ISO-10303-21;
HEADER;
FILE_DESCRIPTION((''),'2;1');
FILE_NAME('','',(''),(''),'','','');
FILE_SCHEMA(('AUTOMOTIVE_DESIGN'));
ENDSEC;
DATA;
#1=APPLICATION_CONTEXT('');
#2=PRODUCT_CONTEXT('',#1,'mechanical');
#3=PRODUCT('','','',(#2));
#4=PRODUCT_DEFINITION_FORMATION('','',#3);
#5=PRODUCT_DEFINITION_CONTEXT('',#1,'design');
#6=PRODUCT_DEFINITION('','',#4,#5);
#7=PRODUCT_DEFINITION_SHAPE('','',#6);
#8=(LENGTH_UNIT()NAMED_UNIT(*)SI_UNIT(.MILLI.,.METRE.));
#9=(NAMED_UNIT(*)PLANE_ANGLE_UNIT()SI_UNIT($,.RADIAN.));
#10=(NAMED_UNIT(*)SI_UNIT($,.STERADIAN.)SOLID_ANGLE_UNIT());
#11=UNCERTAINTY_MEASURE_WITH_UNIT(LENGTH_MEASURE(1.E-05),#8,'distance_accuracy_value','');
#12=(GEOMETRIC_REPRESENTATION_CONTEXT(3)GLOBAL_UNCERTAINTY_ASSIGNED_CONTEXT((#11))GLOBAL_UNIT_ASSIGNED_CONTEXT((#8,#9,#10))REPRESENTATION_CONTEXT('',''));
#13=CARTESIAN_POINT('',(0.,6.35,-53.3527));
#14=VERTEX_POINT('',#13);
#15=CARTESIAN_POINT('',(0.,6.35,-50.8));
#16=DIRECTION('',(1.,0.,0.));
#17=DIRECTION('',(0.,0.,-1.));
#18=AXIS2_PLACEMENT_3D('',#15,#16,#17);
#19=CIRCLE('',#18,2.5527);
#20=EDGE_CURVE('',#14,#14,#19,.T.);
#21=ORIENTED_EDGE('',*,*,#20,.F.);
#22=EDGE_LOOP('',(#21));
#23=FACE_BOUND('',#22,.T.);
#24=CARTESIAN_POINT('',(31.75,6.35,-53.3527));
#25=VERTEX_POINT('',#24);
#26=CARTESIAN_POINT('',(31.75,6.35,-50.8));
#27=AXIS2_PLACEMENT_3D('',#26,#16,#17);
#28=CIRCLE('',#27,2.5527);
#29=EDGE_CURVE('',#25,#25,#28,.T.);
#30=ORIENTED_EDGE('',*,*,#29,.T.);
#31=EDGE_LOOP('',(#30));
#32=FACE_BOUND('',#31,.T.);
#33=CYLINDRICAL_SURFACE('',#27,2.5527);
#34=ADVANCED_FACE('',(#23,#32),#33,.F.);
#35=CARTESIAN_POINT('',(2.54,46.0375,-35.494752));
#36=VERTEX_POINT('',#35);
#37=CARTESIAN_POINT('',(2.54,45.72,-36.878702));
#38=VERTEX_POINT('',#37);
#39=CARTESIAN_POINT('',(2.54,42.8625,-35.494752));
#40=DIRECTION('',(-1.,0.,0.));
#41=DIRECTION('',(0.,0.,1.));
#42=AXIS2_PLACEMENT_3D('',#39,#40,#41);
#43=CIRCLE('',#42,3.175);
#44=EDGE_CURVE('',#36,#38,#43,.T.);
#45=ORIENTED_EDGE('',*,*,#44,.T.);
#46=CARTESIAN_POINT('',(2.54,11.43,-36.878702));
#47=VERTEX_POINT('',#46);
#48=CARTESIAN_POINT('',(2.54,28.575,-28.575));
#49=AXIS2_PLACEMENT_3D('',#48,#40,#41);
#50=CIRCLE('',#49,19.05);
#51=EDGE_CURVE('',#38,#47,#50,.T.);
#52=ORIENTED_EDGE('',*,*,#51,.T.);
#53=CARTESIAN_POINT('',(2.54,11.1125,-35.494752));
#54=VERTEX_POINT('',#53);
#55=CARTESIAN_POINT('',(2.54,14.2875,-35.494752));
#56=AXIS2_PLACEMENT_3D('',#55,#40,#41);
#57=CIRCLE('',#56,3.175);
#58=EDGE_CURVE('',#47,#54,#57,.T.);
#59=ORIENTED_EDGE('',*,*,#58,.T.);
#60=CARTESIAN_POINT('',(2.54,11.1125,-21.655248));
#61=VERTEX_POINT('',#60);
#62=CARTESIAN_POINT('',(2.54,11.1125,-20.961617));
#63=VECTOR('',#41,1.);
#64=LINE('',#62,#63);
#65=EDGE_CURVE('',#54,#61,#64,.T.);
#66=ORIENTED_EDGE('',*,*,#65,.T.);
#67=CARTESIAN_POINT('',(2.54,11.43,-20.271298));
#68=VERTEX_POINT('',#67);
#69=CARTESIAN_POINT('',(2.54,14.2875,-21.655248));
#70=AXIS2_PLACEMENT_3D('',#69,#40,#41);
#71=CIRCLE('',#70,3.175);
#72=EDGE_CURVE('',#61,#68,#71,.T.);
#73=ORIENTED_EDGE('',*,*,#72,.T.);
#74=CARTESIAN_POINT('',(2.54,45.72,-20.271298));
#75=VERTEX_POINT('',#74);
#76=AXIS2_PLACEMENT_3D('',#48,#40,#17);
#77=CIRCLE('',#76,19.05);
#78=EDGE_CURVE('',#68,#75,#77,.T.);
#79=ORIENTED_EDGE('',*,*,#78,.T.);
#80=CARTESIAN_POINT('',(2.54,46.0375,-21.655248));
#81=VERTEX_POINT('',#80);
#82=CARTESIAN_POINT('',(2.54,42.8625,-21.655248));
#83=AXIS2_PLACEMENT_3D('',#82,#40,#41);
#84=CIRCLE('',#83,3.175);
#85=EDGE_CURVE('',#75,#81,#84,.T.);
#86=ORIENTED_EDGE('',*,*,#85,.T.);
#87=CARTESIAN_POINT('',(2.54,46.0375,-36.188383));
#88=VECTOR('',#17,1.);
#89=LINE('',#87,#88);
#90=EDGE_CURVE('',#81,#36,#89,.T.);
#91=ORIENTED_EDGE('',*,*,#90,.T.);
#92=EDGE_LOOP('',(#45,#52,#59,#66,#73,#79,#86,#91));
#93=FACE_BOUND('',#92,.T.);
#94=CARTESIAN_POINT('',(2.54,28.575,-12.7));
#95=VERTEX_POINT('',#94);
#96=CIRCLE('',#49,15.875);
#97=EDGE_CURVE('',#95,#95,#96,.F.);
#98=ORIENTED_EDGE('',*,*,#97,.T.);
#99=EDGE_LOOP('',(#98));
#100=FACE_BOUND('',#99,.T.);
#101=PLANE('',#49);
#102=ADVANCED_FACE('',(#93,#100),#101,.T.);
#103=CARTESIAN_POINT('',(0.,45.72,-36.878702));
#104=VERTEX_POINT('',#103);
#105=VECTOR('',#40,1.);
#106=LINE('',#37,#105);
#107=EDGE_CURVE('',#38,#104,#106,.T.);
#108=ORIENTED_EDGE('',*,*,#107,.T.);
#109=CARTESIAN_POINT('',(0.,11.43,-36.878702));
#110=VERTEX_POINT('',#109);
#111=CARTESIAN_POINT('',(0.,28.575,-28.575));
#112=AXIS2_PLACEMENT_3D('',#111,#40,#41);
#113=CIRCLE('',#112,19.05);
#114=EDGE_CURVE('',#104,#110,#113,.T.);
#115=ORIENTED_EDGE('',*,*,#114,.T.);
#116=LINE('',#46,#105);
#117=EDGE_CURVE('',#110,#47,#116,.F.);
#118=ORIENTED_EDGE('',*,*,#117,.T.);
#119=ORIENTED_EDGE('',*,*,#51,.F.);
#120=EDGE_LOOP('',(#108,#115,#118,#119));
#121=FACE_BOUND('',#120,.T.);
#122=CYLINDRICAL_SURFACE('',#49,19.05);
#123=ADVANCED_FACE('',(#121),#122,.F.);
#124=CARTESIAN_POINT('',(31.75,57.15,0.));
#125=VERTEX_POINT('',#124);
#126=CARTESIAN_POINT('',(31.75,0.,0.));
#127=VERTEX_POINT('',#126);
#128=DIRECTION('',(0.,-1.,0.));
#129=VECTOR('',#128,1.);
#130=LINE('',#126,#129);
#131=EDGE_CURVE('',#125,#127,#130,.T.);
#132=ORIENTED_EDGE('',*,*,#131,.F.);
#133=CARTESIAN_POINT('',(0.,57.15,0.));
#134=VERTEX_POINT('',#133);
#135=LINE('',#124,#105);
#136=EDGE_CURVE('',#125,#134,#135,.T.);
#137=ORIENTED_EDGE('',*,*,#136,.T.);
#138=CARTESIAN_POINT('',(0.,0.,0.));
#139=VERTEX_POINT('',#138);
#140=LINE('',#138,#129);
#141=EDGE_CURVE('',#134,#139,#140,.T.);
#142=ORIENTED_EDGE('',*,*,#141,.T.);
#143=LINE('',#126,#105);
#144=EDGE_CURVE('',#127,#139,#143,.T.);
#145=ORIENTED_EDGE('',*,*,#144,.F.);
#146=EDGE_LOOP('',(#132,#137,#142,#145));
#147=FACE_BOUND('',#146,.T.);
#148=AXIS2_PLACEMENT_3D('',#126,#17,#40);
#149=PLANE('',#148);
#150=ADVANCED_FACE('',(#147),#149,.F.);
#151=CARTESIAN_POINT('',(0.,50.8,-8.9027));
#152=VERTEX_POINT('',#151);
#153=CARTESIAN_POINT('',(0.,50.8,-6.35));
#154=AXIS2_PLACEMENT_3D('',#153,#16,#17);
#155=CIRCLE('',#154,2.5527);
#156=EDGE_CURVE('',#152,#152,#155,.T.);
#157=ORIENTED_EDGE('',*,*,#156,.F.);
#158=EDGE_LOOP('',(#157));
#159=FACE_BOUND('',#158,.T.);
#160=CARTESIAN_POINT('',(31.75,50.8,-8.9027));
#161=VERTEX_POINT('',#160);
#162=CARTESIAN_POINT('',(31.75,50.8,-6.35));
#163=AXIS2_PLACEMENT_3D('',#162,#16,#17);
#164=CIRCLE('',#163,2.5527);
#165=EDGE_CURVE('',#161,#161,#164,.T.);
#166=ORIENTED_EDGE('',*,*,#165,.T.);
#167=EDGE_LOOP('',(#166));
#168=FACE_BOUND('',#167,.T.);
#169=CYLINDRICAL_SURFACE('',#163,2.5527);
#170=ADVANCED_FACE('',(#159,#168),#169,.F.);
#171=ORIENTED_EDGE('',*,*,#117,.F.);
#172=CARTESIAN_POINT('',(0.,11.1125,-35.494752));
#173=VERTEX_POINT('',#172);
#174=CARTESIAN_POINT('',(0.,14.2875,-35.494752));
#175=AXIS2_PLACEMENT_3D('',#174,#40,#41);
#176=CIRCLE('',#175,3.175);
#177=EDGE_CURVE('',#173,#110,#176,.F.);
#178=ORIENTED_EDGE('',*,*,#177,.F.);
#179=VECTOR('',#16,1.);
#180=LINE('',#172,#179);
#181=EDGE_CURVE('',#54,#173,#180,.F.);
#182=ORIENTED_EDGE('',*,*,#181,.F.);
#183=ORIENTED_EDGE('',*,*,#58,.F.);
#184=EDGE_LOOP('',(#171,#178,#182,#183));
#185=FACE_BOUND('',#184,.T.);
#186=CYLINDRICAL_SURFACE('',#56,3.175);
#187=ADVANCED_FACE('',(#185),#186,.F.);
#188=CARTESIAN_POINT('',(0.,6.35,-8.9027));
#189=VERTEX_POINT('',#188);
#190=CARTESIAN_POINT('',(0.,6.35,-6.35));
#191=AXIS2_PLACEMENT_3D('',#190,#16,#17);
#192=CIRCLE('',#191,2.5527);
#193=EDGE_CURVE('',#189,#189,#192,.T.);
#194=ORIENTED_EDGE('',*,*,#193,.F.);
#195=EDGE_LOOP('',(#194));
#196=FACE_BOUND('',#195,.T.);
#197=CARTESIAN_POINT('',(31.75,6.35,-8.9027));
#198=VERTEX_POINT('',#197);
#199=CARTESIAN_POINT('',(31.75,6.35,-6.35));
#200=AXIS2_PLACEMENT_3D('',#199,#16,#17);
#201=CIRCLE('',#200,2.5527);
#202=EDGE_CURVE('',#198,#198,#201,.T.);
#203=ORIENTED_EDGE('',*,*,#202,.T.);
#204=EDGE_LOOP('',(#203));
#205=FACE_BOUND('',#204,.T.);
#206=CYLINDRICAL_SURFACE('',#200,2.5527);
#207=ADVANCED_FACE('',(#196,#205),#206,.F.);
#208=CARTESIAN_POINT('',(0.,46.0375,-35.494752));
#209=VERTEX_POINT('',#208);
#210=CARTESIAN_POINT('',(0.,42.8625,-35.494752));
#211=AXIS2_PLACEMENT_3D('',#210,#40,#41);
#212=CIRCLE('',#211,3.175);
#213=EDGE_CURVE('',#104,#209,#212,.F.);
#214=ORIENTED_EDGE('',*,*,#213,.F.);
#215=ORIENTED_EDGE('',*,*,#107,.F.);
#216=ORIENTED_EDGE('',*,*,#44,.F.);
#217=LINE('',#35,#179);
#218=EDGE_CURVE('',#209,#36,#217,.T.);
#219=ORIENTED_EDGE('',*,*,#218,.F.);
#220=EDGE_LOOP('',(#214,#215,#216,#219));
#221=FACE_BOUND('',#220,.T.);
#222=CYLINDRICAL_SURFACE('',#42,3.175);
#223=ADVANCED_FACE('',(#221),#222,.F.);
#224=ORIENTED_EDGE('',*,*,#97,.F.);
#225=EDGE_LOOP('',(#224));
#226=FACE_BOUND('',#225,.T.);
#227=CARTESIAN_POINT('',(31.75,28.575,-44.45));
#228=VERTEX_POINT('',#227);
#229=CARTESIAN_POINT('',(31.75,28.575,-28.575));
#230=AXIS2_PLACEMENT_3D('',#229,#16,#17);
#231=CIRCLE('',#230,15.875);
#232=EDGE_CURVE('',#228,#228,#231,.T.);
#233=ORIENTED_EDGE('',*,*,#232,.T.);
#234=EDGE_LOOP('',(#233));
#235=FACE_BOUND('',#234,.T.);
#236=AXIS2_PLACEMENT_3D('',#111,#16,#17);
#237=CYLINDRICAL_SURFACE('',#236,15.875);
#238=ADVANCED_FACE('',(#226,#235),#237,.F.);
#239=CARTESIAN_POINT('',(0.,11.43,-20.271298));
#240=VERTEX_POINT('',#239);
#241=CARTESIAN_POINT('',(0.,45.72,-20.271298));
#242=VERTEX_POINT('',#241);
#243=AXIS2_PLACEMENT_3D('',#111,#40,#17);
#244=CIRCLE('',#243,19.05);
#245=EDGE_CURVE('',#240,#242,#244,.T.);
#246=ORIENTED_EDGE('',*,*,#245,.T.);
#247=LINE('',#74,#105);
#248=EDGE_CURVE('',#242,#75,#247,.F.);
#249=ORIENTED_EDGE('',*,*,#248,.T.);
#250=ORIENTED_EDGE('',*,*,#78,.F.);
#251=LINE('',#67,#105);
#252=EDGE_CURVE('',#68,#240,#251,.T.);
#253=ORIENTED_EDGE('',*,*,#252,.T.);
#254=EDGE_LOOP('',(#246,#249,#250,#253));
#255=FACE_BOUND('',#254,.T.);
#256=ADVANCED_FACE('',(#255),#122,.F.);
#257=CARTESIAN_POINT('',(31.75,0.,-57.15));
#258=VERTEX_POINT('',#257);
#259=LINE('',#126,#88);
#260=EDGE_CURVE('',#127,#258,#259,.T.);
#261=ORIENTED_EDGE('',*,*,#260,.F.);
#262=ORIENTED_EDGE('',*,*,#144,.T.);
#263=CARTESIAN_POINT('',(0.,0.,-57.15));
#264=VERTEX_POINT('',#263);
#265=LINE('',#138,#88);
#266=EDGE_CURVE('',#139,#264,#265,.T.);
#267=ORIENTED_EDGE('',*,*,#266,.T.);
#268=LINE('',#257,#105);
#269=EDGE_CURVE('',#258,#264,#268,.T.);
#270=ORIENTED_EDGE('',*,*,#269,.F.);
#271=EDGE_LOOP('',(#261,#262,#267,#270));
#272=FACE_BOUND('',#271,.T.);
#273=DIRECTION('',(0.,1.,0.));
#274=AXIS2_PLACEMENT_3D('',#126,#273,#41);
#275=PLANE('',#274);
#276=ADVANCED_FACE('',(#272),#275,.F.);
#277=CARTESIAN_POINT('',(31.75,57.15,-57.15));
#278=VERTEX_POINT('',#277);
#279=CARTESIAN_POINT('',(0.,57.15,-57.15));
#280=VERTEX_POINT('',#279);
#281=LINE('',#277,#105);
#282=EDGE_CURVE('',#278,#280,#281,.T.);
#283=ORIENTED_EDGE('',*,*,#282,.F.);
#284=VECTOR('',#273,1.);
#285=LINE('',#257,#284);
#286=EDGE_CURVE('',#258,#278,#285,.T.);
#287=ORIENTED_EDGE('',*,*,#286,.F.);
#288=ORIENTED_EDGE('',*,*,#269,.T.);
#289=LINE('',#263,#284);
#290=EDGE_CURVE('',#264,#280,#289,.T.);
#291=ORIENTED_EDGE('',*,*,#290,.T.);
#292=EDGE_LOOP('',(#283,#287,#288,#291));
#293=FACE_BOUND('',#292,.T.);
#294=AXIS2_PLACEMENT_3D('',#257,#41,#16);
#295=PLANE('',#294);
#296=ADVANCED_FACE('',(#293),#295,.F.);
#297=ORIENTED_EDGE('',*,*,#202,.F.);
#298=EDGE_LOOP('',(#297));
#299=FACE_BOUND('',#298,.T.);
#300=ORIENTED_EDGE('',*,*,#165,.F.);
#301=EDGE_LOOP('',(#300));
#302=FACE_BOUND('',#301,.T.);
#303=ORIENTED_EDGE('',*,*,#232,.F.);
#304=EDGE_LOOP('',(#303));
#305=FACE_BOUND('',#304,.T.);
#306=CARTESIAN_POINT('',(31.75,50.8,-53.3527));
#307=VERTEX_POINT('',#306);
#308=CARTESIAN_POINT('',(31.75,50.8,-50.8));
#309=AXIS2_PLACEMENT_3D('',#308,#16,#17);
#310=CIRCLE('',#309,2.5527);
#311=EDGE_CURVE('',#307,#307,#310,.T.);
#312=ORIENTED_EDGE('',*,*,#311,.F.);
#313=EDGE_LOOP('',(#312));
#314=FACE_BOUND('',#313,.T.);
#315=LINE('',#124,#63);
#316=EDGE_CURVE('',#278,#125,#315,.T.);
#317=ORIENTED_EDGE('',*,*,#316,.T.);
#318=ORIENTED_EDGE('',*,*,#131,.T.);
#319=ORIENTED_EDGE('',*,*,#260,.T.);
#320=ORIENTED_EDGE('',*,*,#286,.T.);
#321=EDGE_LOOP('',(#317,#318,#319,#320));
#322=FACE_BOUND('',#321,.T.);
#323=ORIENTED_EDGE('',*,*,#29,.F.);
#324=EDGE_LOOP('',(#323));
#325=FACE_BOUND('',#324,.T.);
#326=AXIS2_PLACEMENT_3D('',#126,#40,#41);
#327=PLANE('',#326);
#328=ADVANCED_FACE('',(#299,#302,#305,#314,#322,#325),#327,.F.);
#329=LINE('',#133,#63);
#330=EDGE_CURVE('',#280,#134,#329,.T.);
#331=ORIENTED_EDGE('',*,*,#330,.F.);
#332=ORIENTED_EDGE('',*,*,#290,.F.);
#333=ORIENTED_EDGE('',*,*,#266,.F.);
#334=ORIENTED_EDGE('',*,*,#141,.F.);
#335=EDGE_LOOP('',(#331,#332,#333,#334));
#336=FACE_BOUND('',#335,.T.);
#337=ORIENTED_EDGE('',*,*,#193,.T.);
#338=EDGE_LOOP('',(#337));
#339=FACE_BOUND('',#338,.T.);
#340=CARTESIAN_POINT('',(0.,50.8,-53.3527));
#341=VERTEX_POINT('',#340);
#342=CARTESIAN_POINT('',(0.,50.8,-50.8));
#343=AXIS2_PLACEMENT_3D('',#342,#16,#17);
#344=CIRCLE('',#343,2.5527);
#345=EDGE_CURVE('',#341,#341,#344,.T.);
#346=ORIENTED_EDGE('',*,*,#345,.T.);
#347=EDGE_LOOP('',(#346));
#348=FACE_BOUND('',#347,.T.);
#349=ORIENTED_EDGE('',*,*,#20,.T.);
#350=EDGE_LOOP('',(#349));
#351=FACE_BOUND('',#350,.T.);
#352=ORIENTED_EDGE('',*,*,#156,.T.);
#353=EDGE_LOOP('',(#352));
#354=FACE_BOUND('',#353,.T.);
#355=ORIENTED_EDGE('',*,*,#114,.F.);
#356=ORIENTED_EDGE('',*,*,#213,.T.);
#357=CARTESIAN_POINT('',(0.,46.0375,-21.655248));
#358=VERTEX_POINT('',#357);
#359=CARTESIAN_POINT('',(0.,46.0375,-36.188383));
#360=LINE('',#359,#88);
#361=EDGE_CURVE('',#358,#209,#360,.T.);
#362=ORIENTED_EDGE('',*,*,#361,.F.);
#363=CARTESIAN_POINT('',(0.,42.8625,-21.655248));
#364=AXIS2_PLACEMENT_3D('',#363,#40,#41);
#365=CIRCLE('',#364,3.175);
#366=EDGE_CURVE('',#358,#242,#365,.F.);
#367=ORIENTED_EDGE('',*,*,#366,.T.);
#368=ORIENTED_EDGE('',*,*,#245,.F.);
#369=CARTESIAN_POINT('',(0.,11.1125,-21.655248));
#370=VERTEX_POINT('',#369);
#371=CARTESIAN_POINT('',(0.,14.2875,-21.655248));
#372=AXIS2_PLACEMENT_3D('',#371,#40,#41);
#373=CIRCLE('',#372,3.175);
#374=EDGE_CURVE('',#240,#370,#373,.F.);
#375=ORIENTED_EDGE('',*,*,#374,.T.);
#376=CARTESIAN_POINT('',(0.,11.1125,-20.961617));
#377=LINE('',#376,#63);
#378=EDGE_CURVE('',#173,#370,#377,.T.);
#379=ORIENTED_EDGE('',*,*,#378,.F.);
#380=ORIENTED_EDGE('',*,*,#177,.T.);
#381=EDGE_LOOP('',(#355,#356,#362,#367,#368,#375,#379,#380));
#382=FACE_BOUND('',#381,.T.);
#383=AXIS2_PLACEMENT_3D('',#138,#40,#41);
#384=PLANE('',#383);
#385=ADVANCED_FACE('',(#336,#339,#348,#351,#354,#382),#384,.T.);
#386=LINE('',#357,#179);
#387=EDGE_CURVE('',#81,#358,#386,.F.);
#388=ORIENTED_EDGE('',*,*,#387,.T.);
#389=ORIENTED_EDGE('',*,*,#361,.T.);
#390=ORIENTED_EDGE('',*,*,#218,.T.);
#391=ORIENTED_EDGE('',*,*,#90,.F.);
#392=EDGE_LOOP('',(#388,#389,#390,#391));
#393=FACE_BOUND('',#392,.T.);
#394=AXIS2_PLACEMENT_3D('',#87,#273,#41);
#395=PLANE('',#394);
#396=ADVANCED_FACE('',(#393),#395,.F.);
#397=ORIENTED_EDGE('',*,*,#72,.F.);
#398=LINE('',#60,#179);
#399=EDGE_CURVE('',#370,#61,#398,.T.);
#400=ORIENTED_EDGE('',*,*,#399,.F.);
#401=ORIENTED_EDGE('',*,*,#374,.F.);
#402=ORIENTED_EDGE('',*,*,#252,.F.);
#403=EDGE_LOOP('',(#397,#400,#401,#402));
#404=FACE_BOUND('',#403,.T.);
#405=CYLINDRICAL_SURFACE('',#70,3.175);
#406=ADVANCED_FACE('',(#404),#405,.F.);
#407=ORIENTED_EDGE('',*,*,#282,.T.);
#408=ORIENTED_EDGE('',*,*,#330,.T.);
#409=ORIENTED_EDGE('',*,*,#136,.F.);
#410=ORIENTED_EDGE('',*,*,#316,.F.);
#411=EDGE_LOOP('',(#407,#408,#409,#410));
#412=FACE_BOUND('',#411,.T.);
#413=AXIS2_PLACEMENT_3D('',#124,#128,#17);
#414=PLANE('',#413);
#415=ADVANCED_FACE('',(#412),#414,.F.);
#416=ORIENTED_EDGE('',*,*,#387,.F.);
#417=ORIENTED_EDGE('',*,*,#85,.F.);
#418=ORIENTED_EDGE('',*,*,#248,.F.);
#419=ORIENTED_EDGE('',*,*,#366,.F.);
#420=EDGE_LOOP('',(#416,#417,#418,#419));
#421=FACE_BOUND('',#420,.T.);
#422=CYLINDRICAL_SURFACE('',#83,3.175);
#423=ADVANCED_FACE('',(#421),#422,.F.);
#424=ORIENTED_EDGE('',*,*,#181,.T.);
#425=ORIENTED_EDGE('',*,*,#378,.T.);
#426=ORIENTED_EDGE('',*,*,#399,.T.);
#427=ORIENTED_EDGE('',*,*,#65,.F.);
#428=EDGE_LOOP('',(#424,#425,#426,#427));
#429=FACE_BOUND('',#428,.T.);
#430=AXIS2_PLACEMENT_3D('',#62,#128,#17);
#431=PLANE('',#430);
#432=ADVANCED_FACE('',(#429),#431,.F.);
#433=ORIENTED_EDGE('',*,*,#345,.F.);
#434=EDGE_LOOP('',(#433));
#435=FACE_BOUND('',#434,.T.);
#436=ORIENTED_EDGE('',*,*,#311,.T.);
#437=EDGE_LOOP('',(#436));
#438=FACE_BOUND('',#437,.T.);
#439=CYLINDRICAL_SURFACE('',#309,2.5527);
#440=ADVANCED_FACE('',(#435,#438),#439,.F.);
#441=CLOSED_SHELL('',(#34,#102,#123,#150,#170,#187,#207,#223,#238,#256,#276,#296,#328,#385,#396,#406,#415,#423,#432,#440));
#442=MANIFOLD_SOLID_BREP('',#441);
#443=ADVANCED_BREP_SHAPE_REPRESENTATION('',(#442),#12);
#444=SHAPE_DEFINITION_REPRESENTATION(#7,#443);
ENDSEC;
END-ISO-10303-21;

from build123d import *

# Parameters (mm, degrees)
SKETCH2_W               = 57.15
SKETCH2_H               = 57.15
BOSS_EXTRUDE2_DEPTH     = 31.75
SKETCH3_R               = 15.875
CUT_EXTRUDE1_DEPTH      = 87.834944003
CUT_EXTRUDE2_DEPTH      = 2.54
FILLET1_R               = 3.175
F_1_4_20_TAPPED_HOLE1_D = 5.1054


with BuildPart() as part:
    # Sketch2 → Boss-Extrude2 (new body)
    with BuildSketch(Plane(origin=(0, 0, 0), x_dir=(0, 0, -1), z_dir=(1, 0, 0))):
        with Locations((28.575, 28.575)):
            Rectangle(SKETCH2_W, SKETCH2_H)
    extrude(amount=BOSS_EXTRUDE2_DEPTH)

    # Sketch3 → Cut-Extrude1 (cut, through all)
    with BuildSketch(Plane(origin=(31.75, 0, 0), x_dir=(0, 0, -1), z_dir=(1, 0, 0))):
        with Locations((28.575, 28.575)):
            Circle(SKETCH3_R)
    extrude(amount=-CUT_EXTRUDE1_DEPTH, mode=Mode.SUBTRACT)

    # Sketch4 → Cut-Extrude2 (cut)
    with BuildSketch(Plane.ZY):
        with BuildLine():
            Line((-36.188382543, 46.0375), (-20.961617457, 46.0375))
            ThreePointArc((-20.961617457, 46.0375), (-9.525, 28.575), (-20.961617457, 11.1125))
            Line((-20.961617457, 11.1125), (-36.188382543, 11.1125))
            ThreePointArc((-36.188382543, 11.1125), (-47.625, 28.575), (-36.188382543, 46.0375))
        make_face()
    extrude(amount=-CUT_EXTRUDE2_DEPTH, mode=Mode.SUBTRACT)

    # Fillet1
    fillet1_edges = [part.edges().sort_by_distance(p)[0] for p in [
        (1.27, 11.1125, -36.188382543),
        (1.27, 46.0375, -36.188382543),
        (1.27, 46.0375, -20.961617457),
        (1.27, 11.1125, -20.961617457),
    ]]
    fillet(fillet1_edges, radius=FILLET1_R)

    # 1/4-20 Tapped Hole1 (through all)
    with Locations(Plane(origin=(31.75, 0, 0), x_dir=(0, 0, -1), z_dir=(1, 0, 0))):
        with Locations((6.35, 50.8), (50.8, 50.8), (50.8, 6.35), (6.35, 6.35), (28.575, 28.575)):
            Hole(F_1_4_20_TAPPED_HOLE1_D / 2)


solid = part.part
